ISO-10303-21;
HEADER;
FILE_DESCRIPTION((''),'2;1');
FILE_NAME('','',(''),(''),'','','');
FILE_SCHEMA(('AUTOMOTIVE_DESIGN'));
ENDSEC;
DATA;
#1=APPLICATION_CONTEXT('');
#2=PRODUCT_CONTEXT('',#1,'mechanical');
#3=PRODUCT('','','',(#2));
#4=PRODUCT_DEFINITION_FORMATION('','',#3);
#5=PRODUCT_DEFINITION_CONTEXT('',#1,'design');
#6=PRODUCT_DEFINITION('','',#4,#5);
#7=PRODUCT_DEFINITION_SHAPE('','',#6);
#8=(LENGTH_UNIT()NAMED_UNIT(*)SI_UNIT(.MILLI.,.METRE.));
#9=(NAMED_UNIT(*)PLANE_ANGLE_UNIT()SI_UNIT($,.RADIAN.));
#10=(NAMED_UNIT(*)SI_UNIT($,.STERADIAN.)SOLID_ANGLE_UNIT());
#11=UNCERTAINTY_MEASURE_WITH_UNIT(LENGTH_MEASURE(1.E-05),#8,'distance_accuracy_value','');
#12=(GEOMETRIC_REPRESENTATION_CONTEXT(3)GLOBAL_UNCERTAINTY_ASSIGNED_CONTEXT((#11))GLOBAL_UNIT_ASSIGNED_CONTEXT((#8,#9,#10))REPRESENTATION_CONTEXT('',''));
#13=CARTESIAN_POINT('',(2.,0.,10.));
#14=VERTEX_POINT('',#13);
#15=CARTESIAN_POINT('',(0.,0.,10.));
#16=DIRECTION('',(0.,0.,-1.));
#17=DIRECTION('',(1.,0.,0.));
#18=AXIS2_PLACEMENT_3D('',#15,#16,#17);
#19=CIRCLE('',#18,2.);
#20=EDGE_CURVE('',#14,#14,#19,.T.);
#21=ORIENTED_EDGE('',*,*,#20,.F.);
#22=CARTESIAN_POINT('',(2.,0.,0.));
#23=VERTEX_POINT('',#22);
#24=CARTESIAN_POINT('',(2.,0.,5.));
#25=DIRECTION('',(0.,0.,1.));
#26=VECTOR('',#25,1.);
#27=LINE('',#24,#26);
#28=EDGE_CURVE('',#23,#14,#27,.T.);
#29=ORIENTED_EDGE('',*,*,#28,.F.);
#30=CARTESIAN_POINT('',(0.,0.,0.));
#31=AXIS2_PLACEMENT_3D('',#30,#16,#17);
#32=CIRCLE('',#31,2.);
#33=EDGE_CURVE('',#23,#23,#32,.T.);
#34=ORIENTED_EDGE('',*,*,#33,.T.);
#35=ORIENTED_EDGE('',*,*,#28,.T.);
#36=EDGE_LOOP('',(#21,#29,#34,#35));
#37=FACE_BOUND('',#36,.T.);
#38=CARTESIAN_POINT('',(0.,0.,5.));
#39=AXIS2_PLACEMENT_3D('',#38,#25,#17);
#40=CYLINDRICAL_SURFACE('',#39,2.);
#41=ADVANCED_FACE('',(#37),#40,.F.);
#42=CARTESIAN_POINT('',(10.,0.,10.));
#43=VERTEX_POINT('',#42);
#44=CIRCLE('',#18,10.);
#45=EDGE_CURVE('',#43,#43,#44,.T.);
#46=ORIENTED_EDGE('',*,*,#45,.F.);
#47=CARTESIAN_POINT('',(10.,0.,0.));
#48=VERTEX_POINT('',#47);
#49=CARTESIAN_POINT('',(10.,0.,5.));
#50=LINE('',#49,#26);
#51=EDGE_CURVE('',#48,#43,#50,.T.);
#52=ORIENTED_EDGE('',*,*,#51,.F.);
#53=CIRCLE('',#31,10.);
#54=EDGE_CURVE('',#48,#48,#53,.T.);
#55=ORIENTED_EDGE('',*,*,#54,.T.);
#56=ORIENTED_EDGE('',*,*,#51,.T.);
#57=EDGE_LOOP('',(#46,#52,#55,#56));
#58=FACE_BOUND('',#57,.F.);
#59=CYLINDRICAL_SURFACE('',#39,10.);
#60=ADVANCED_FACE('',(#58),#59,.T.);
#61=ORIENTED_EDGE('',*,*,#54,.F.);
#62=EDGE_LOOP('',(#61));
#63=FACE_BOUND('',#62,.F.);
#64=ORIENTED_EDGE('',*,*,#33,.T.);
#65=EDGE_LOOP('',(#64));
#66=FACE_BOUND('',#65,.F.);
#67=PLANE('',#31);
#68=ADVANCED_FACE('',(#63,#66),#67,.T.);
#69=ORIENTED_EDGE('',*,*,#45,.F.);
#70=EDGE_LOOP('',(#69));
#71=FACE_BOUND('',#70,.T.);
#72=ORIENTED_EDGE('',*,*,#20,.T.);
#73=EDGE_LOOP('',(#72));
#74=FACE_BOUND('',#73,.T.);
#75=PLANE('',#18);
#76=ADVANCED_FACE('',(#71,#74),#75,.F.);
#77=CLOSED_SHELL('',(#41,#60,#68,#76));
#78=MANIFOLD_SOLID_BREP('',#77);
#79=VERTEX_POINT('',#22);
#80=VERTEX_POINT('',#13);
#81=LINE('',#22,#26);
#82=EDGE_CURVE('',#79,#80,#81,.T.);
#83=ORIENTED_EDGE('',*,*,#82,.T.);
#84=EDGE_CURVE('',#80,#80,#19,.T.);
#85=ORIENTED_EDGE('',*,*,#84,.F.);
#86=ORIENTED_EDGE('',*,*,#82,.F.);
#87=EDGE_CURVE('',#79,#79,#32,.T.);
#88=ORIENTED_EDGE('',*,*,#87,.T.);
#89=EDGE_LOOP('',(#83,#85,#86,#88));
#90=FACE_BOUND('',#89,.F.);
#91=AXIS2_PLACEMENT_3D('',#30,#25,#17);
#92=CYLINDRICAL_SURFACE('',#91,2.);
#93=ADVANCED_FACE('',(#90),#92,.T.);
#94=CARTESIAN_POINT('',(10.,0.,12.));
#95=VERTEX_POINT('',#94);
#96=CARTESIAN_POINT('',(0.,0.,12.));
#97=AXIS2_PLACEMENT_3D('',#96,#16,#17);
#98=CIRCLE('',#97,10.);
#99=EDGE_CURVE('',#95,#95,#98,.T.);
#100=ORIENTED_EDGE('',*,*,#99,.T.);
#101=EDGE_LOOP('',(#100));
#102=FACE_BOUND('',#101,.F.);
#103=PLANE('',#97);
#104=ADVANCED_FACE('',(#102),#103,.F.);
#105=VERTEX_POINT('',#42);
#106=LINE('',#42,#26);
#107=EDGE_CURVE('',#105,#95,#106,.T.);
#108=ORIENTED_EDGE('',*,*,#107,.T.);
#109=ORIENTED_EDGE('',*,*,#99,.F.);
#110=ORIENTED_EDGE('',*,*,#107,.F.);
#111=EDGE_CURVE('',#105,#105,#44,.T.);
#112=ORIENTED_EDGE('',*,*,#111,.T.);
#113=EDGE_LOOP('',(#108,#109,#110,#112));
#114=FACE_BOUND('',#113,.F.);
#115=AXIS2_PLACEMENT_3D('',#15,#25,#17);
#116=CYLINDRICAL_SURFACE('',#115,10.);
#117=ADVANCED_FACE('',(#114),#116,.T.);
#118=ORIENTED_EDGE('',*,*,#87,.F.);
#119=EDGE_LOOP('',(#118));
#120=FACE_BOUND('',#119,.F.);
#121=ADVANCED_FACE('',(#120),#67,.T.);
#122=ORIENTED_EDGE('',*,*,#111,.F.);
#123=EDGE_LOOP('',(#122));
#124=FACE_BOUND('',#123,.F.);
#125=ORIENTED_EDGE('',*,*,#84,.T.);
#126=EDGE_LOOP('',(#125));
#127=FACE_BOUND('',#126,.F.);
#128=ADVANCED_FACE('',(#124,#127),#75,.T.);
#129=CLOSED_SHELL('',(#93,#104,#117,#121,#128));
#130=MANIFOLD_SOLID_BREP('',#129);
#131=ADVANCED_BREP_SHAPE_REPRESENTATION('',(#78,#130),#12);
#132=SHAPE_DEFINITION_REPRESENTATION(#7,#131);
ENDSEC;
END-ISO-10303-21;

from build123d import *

# Parameters (mm, degrees)
F0_W = 8
F0_H = 10


with BuildPart() as f1:
    # F0 (on Front) → F1 (revolve)
    with BuildSketch(Plane.XZ):
        Polygon((0, 12), (0, 0), (2, 0), (2, 10), (10, 10), (10, 12), align=None)
    revolve(axis=Axis((0, 0, 6), (0, 0, -1)))


with BuildPart() as f2:
    # F0 (on Front) → F2 (revolve)
    with BuildSketch(Plane.XZ):
        with Locations((6, 5)):
            Rectangle(F0_W, F0_H)
    revolve(axis=Axis((0, 0, 6), (0, 0, -1)))


solid = Compound([f1.part, f2.part])
